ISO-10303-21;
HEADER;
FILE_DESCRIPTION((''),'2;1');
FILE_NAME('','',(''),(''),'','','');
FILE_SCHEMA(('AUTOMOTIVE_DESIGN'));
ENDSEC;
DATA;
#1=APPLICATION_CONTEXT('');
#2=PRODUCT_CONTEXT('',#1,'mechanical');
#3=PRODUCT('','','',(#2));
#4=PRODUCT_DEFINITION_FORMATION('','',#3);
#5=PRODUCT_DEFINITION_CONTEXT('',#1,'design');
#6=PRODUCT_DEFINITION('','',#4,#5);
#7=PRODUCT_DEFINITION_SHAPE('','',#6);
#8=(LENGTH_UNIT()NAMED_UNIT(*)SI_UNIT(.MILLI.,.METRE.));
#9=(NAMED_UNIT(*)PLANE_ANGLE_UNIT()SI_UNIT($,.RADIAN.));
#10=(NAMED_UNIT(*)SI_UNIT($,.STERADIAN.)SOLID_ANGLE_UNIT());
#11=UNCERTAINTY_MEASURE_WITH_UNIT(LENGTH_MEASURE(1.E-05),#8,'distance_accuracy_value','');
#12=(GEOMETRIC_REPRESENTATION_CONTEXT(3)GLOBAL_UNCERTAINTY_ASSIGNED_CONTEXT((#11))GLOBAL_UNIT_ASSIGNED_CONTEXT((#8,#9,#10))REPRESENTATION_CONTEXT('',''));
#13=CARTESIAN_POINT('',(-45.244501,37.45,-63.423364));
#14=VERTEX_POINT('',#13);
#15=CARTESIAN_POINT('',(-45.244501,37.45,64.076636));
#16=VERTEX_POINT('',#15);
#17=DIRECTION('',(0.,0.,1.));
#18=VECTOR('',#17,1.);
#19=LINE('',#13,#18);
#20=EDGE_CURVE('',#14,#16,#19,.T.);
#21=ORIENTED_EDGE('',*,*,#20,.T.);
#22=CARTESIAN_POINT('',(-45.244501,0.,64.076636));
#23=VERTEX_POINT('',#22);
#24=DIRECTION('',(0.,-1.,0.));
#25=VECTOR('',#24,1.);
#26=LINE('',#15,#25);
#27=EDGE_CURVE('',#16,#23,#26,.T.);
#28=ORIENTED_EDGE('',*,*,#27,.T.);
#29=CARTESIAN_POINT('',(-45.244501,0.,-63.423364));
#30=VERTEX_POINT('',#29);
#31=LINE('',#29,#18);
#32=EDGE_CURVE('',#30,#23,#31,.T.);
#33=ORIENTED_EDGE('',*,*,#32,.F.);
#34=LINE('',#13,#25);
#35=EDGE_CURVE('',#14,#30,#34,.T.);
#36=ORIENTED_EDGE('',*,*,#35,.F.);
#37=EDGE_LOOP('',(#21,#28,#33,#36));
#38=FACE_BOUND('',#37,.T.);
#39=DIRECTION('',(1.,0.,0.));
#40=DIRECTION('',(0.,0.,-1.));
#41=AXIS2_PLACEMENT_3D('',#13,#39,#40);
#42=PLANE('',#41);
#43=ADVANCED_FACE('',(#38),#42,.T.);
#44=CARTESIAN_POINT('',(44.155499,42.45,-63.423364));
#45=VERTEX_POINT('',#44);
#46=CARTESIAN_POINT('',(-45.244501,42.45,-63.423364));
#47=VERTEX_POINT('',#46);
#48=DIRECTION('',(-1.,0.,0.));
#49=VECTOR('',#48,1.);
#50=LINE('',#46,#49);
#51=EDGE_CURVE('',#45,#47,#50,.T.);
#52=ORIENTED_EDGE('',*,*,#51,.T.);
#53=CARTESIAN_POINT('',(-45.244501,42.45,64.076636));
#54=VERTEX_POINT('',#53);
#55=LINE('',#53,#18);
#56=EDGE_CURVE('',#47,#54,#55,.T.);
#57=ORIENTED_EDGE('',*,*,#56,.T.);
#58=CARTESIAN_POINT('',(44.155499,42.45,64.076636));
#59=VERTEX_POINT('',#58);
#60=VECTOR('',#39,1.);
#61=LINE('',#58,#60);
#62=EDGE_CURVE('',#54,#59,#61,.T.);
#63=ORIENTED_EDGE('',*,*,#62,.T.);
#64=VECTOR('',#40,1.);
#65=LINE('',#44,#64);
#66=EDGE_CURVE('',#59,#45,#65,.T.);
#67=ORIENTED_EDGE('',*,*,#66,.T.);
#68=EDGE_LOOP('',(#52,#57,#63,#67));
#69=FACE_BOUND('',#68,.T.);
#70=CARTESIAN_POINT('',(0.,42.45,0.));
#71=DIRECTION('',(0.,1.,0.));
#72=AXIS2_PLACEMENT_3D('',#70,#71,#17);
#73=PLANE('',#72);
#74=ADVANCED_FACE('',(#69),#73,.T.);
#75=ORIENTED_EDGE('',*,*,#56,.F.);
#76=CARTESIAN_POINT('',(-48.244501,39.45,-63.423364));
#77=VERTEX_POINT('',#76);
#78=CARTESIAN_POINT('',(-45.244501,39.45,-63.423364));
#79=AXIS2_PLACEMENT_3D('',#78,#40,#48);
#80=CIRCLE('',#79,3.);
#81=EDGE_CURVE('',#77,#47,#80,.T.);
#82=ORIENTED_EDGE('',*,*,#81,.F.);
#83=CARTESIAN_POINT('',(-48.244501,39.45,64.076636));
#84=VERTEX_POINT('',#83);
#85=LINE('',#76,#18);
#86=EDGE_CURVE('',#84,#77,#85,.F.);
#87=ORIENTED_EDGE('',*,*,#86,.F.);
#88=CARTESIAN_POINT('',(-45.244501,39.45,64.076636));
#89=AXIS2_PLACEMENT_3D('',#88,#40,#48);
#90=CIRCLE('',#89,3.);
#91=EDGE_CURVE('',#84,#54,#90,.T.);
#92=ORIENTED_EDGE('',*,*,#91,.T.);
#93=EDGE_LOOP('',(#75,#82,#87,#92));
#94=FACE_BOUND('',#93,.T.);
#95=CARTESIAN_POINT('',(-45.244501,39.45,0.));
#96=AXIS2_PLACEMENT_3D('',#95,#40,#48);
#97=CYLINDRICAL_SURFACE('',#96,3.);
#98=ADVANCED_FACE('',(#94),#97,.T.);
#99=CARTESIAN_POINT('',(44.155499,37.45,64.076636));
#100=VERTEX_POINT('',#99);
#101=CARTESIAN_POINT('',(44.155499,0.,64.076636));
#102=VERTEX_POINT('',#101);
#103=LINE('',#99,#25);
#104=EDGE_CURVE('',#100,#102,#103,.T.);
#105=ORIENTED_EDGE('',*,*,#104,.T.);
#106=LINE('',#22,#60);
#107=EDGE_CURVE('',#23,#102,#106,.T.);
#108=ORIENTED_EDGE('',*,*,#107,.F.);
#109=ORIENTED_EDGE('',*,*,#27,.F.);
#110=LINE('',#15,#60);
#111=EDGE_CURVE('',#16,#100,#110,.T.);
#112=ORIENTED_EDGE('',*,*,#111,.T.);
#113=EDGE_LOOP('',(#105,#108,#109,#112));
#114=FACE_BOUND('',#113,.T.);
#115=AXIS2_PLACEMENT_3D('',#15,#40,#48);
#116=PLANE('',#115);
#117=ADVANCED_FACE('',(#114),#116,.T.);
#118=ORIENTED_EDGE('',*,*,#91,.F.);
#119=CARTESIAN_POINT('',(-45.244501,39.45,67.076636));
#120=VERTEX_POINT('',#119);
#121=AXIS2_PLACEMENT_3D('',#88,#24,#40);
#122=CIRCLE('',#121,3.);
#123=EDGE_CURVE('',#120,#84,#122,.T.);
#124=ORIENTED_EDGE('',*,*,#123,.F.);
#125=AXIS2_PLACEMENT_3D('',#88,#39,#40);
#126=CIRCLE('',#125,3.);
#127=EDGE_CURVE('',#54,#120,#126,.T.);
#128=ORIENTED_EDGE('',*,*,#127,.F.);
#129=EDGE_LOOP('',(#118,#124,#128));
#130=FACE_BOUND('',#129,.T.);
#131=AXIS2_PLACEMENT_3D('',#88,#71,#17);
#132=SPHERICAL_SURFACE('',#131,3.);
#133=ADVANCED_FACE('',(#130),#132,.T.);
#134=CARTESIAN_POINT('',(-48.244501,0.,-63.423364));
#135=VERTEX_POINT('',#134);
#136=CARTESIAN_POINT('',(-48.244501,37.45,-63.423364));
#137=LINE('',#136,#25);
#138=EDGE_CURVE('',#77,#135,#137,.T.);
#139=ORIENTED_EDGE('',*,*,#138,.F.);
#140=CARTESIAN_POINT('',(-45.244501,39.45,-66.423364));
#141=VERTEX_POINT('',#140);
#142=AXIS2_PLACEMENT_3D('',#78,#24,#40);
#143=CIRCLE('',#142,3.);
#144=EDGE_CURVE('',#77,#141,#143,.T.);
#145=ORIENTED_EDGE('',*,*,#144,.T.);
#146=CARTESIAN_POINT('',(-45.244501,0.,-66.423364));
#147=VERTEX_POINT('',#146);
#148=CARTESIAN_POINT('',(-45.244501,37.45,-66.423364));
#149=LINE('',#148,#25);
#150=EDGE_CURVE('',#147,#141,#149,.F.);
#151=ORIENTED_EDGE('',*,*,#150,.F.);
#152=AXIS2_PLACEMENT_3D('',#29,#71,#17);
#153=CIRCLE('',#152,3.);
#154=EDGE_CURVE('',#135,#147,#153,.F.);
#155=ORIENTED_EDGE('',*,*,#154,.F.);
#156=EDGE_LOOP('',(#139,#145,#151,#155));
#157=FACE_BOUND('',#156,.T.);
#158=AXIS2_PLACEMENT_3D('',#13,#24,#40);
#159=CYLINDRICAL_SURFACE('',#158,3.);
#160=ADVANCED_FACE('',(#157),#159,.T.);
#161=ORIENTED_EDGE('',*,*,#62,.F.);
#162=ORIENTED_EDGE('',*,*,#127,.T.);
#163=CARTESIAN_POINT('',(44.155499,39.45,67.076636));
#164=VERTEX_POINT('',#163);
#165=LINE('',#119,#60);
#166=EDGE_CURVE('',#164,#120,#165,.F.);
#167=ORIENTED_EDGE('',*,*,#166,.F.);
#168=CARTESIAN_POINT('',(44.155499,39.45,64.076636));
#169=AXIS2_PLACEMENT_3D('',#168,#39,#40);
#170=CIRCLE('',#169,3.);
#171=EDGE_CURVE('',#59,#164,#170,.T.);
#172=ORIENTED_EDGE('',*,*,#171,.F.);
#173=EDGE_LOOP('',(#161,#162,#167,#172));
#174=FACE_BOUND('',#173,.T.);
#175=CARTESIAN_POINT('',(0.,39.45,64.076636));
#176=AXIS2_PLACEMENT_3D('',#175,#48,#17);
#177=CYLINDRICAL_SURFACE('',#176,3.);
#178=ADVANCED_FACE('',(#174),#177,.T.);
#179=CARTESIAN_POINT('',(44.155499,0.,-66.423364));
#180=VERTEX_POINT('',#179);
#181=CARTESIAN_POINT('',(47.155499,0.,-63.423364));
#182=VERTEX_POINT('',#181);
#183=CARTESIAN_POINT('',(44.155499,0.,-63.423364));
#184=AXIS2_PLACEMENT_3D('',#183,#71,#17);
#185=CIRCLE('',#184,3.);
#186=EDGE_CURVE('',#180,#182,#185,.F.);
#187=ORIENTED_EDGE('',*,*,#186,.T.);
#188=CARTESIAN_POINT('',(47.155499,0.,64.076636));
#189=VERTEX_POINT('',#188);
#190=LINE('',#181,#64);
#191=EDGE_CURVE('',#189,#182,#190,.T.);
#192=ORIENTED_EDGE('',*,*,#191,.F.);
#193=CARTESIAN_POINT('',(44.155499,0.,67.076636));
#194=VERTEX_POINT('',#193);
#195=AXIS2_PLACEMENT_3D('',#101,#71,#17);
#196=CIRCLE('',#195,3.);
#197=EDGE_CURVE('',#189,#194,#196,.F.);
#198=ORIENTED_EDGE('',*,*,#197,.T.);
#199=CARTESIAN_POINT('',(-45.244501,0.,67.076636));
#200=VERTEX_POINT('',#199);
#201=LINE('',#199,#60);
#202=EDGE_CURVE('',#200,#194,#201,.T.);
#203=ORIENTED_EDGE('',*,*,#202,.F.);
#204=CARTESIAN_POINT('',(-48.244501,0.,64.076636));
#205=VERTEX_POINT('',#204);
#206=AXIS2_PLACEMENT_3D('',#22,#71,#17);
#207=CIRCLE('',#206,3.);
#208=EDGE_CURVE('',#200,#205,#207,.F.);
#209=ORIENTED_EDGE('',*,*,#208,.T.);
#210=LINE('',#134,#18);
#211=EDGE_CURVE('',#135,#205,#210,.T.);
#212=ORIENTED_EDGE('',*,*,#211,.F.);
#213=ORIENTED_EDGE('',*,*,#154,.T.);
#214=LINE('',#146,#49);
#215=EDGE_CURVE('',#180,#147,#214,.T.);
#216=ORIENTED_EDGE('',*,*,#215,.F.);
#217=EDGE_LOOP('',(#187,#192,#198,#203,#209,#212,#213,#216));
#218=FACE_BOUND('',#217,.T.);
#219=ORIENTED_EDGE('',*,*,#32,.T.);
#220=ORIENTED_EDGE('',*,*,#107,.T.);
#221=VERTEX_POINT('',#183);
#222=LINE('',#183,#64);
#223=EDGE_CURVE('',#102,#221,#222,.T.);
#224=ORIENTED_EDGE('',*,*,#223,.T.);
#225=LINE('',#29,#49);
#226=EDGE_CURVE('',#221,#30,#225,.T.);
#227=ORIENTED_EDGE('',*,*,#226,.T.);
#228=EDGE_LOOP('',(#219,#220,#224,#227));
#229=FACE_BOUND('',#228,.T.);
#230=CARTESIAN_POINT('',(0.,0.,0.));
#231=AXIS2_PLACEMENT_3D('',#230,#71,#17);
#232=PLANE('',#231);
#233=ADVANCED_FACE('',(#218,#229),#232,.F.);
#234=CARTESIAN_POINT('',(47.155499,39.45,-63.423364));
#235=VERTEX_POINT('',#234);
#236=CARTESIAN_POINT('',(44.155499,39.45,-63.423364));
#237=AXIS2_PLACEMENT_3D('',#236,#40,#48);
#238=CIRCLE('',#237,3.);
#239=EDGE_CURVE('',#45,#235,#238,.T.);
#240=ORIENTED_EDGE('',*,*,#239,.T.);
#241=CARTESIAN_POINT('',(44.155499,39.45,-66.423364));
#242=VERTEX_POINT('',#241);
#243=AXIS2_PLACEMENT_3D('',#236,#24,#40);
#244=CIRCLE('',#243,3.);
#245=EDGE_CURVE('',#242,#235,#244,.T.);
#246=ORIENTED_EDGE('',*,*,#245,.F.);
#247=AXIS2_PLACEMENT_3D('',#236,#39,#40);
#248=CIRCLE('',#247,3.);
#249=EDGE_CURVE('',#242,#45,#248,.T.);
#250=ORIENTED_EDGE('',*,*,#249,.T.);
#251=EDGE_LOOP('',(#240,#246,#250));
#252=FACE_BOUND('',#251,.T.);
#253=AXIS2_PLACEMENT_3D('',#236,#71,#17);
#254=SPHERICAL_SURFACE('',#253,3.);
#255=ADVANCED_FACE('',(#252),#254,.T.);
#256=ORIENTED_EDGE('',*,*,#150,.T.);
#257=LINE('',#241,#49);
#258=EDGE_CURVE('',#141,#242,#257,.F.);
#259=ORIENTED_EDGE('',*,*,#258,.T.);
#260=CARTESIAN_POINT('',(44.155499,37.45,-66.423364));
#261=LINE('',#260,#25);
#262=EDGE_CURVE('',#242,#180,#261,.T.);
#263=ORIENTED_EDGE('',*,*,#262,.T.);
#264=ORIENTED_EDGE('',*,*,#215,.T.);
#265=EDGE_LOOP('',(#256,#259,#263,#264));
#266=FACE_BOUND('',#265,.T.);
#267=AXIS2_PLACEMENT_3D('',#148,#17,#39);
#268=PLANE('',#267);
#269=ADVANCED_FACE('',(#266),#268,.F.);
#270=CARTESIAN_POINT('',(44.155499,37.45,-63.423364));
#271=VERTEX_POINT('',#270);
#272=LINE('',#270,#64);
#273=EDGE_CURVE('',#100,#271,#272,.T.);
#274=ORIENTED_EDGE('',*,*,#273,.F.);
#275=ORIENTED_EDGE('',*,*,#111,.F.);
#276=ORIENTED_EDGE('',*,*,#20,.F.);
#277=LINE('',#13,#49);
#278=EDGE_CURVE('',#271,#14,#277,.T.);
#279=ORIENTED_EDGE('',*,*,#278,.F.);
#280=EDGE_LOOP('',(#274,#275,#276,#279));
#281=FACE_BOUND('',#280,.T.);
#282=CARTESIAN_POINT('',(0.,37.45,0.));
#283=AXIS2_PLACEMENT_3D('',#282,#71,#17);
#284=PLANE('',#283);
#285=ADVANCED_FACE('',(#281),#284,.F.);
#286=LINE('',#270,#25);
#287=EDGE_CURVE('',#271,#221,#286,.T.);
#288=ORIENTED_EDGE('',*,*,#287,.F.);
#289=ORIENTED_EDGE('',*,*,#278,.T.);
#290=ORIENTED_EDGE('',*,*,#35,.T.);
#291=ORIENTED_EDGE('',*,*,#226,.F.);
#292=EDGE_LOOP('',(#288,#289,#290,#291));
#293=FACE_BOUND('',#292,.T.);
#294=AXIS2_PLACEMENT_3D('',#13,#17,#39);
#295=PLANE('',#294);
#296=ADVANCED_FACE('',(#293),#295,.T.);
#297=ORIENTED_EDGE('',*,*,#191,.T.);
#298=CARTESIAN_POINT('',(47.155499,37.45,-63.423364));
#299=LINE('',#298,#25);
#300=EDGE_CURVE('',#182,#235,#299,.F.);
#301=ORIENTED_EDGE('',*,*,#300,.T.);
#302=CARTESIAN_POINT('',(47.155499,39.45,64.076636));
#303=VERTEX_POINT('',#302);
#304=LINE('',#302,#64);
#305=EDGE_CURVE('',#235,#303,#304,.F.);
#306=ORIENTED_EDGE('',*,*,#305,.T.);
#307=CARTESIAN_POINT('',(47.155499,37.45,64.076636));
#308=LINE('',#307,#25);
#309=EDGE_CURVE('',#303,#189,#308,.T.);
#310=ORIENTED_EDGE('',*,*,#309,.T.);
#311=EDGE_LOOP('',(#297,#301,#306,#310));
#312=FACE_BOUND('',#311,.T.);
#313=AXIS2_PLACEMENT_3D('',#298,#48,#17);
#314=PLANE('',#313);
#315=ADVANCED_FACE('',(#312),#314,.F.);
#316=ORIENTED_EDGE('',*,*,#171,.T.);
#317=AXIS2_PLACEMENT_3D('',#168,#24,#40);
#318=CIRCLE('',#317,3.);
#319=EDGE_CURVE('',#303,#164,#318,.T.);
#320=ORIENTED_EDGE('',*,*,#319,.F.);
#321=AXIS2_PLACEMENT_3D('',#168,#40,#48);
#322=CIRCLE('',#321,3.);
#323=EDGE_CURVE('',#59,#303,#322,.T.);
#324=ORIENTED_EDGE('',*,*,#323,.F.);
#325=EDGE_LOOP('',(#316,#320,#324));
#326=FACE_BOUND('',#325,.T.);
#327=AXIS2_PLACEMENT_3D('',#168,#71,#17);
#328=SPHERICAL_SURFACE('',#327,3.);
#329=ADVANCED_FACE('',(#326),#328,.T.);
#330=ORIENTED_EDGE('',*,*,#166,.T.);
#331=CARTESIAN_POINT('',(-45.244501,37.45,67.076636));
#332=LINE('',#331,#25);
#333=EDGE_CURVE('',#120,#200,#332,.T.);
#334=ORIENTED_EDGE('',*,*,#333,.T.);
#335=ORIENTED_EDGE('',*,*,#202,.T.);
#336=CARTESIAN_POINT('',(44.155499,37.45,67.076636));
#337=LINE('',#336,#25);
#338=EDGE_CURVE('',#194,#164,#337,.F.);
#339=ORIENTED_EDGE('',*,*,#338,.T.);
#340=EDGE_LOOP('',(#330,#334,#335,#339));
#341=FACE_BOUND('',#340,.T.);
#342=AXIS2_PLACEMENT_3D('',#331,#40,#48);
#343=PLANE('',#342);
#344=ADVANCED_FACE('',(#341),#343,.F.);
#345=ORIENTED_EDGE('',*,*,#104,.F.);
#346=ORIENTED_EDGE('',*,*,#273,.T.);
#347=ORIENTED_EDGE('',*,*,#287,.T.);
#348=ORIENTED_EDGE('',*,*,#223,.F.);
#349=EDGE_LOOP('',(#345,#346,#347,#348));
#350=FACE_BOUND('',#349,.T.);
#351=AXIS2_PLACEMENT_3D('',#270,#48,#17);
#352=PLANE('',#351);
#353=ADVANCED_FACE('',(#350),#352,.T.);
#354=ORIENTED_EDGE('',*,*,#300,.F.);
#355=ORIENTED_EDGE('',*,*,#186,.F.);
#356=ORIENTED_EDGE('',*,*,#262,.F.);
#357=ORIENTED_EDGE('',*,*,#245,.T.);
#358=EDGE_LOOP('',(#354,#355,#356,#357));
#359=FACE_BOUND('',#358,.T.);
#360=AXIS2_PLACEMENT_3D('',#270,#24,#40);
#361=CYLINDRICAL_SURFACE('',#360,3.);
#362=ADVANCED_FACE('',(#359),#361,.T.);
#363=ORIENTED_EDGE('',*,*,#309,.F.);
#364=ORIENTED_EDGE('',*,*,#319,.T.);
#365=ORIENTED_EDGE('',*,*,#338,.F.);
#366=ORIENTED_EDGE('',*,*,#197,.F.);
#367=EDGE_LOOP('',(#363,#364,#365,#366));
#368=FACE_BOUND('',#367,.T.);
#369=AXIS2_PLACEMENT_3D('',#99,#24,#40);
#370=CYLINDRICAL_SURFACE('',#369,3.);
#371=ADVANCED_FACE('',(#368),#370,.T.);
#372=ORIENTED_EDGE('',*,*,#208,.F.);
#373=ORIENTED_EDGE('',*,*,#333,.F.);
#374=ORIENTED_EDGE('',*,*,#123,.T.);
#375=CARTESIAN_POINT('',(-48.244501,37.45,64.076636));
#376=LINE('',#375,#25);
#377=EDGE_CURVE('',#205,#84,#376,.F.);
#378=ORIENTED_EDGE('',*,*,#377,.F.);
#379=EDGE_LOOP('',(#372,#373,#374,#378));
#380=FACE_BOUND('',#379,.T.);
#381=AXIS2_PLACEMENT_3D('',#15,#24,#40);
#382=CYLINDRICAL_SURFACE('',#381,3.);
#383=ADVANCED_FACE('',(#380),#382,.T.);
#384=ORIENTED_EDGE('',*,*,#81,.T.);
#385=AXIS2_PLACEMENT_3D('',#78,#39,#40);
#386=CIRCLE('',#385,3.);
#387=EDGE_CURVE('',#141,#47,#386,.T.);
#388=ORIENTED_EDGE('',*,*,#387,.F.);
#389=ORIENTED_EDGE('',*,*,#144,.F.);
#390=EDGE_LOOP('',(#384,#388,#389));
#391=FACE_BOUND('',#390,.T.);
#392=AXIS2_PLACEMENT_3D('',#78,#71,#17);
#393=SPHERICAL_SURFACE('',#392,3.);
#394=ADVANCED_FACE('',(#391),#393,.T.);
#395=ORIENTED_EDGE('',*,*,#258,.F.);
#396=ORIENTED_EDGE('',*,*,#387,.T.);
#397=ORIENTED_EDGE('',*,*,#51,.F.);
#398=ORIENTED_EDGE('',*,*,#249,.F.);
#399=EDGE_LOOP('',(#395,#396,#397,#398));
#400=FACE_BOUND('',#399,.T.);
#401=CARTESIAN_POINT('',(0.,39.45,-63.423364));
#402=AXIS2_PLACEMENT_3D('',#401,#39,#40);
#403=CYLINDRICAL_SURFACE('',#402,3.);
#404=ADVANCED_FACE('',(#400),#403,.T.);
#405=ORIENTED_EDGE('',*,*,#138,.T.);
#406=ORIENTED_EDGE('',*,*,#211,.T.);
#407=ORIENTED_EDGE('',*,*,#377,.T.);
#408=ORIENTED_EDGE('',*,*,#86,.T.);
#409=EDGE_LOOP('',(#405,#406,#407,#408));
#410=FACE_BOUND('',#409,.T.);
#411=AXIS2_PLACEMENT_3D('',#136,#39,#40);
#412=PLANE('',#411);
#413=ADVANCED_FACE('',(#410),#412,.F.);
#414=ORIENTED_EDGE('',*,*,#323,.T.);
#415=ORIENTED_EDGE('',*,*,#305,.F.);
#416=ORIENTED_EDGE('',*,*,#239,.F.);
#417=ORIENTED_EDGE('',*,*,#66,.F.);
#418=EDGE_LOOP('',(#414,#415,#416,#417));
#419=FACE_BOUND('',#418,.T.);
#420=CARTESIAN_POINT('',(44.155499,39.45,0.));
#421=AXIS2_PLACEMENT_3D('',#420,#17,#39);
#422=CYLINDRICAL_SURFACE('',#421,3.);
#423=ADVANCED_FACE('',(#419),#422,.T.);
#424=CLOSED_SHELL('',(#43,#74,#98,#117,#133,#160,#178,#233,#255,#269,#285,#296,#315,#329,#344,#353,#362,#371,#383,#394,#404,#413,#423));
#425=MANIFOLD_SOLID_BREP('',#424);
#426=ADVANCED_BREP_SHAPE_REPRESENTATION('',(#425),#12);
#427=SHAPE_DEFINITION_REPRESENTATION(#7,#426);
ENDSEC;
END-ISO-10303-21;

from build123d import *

# Parameters (mm, degrees)
SKETCH1_W           = 95.4
SKETCH1_H           = 133.5
SKETCH1_W_2         = 89.4
SKETCH1_H_2         = 127.5
EXTRUDE_THIN1_DEPTH = 37.45
SKETCH2_W           = 95.4
SKETCH2_H           = 133.5
BOSS_EXTRUDE1_DEPTH = 5
FILLET3_R           = 3
FILLET4_R           = 3


with BuildPart() as part:
    # Sketch1 → Extrude-Thin1 (new body)
    with BuildSketch(Plane(origin=(0, 0, 0), x_dir=(1, 0, 0), z_dir=(0, 1, 0))):
        with Locations((-0.544500843, -0.326636011)):
            Rectangle(SKETCH1_W, SKETCH1_H)
        with Locations((-0.544500843, -0.326636011)):
            Rectangle(SKETCH1_W_2, SKETCH1_H_2, mode=Mode.SUBTRACT)
    extrude(amount=EXTRUDE_THIN1_DEPTH)

    # Sketch2 → Boss-Extrude1 (add)
    with BuildSketch(Plane(origin=(0, 37.45, 0), x_dir=(1, 0, 0), z_dir=(0, 1, 0))):
        with Locations((-0.544500843, -0.326636011)):
            Rectangle(SKETCH2_W, SKETCH2_H)
    extrude(amount=BOSS_EXTRUDE1_DEPTH)

    # Fillet3
    fillet3_edges = [part.edges().sort_by_distance(p)[0] for p in [
        (47.155499157, 21.225, 67.076636011),
        (-48.244500843, 21.225, 67.076636011),
        (-48.244500843, 21.225, -66.423363989),
        (47.155499157, 21.225, -66.423363989),
    ]]
    fillet(fillet3_edges, radius=FILLET3_R)

    # Fillet4
    fillet4_edges = [part.edges().sort_by_distance(p)[0] for p in [
        (-0.544500843, 42.45, 67.076636011),
        (-48.244500843, 42.45, 0.326636011),
        (47.155499157, 42.45, 0.326636011),
        (-0.544500843, 42.45, -66.423363989),
        (-47.365821187, 42.45, -65.544684332),
        (46.2768195, 42.45, -65.544684332),
        (46.2768195, 42.45, 66.197956355),
        (-47.365821187, 42.45, 66.197956355),
    ]]
    fillet(fillet4_edges, radius=FILLET4_R)


solid = part.part
